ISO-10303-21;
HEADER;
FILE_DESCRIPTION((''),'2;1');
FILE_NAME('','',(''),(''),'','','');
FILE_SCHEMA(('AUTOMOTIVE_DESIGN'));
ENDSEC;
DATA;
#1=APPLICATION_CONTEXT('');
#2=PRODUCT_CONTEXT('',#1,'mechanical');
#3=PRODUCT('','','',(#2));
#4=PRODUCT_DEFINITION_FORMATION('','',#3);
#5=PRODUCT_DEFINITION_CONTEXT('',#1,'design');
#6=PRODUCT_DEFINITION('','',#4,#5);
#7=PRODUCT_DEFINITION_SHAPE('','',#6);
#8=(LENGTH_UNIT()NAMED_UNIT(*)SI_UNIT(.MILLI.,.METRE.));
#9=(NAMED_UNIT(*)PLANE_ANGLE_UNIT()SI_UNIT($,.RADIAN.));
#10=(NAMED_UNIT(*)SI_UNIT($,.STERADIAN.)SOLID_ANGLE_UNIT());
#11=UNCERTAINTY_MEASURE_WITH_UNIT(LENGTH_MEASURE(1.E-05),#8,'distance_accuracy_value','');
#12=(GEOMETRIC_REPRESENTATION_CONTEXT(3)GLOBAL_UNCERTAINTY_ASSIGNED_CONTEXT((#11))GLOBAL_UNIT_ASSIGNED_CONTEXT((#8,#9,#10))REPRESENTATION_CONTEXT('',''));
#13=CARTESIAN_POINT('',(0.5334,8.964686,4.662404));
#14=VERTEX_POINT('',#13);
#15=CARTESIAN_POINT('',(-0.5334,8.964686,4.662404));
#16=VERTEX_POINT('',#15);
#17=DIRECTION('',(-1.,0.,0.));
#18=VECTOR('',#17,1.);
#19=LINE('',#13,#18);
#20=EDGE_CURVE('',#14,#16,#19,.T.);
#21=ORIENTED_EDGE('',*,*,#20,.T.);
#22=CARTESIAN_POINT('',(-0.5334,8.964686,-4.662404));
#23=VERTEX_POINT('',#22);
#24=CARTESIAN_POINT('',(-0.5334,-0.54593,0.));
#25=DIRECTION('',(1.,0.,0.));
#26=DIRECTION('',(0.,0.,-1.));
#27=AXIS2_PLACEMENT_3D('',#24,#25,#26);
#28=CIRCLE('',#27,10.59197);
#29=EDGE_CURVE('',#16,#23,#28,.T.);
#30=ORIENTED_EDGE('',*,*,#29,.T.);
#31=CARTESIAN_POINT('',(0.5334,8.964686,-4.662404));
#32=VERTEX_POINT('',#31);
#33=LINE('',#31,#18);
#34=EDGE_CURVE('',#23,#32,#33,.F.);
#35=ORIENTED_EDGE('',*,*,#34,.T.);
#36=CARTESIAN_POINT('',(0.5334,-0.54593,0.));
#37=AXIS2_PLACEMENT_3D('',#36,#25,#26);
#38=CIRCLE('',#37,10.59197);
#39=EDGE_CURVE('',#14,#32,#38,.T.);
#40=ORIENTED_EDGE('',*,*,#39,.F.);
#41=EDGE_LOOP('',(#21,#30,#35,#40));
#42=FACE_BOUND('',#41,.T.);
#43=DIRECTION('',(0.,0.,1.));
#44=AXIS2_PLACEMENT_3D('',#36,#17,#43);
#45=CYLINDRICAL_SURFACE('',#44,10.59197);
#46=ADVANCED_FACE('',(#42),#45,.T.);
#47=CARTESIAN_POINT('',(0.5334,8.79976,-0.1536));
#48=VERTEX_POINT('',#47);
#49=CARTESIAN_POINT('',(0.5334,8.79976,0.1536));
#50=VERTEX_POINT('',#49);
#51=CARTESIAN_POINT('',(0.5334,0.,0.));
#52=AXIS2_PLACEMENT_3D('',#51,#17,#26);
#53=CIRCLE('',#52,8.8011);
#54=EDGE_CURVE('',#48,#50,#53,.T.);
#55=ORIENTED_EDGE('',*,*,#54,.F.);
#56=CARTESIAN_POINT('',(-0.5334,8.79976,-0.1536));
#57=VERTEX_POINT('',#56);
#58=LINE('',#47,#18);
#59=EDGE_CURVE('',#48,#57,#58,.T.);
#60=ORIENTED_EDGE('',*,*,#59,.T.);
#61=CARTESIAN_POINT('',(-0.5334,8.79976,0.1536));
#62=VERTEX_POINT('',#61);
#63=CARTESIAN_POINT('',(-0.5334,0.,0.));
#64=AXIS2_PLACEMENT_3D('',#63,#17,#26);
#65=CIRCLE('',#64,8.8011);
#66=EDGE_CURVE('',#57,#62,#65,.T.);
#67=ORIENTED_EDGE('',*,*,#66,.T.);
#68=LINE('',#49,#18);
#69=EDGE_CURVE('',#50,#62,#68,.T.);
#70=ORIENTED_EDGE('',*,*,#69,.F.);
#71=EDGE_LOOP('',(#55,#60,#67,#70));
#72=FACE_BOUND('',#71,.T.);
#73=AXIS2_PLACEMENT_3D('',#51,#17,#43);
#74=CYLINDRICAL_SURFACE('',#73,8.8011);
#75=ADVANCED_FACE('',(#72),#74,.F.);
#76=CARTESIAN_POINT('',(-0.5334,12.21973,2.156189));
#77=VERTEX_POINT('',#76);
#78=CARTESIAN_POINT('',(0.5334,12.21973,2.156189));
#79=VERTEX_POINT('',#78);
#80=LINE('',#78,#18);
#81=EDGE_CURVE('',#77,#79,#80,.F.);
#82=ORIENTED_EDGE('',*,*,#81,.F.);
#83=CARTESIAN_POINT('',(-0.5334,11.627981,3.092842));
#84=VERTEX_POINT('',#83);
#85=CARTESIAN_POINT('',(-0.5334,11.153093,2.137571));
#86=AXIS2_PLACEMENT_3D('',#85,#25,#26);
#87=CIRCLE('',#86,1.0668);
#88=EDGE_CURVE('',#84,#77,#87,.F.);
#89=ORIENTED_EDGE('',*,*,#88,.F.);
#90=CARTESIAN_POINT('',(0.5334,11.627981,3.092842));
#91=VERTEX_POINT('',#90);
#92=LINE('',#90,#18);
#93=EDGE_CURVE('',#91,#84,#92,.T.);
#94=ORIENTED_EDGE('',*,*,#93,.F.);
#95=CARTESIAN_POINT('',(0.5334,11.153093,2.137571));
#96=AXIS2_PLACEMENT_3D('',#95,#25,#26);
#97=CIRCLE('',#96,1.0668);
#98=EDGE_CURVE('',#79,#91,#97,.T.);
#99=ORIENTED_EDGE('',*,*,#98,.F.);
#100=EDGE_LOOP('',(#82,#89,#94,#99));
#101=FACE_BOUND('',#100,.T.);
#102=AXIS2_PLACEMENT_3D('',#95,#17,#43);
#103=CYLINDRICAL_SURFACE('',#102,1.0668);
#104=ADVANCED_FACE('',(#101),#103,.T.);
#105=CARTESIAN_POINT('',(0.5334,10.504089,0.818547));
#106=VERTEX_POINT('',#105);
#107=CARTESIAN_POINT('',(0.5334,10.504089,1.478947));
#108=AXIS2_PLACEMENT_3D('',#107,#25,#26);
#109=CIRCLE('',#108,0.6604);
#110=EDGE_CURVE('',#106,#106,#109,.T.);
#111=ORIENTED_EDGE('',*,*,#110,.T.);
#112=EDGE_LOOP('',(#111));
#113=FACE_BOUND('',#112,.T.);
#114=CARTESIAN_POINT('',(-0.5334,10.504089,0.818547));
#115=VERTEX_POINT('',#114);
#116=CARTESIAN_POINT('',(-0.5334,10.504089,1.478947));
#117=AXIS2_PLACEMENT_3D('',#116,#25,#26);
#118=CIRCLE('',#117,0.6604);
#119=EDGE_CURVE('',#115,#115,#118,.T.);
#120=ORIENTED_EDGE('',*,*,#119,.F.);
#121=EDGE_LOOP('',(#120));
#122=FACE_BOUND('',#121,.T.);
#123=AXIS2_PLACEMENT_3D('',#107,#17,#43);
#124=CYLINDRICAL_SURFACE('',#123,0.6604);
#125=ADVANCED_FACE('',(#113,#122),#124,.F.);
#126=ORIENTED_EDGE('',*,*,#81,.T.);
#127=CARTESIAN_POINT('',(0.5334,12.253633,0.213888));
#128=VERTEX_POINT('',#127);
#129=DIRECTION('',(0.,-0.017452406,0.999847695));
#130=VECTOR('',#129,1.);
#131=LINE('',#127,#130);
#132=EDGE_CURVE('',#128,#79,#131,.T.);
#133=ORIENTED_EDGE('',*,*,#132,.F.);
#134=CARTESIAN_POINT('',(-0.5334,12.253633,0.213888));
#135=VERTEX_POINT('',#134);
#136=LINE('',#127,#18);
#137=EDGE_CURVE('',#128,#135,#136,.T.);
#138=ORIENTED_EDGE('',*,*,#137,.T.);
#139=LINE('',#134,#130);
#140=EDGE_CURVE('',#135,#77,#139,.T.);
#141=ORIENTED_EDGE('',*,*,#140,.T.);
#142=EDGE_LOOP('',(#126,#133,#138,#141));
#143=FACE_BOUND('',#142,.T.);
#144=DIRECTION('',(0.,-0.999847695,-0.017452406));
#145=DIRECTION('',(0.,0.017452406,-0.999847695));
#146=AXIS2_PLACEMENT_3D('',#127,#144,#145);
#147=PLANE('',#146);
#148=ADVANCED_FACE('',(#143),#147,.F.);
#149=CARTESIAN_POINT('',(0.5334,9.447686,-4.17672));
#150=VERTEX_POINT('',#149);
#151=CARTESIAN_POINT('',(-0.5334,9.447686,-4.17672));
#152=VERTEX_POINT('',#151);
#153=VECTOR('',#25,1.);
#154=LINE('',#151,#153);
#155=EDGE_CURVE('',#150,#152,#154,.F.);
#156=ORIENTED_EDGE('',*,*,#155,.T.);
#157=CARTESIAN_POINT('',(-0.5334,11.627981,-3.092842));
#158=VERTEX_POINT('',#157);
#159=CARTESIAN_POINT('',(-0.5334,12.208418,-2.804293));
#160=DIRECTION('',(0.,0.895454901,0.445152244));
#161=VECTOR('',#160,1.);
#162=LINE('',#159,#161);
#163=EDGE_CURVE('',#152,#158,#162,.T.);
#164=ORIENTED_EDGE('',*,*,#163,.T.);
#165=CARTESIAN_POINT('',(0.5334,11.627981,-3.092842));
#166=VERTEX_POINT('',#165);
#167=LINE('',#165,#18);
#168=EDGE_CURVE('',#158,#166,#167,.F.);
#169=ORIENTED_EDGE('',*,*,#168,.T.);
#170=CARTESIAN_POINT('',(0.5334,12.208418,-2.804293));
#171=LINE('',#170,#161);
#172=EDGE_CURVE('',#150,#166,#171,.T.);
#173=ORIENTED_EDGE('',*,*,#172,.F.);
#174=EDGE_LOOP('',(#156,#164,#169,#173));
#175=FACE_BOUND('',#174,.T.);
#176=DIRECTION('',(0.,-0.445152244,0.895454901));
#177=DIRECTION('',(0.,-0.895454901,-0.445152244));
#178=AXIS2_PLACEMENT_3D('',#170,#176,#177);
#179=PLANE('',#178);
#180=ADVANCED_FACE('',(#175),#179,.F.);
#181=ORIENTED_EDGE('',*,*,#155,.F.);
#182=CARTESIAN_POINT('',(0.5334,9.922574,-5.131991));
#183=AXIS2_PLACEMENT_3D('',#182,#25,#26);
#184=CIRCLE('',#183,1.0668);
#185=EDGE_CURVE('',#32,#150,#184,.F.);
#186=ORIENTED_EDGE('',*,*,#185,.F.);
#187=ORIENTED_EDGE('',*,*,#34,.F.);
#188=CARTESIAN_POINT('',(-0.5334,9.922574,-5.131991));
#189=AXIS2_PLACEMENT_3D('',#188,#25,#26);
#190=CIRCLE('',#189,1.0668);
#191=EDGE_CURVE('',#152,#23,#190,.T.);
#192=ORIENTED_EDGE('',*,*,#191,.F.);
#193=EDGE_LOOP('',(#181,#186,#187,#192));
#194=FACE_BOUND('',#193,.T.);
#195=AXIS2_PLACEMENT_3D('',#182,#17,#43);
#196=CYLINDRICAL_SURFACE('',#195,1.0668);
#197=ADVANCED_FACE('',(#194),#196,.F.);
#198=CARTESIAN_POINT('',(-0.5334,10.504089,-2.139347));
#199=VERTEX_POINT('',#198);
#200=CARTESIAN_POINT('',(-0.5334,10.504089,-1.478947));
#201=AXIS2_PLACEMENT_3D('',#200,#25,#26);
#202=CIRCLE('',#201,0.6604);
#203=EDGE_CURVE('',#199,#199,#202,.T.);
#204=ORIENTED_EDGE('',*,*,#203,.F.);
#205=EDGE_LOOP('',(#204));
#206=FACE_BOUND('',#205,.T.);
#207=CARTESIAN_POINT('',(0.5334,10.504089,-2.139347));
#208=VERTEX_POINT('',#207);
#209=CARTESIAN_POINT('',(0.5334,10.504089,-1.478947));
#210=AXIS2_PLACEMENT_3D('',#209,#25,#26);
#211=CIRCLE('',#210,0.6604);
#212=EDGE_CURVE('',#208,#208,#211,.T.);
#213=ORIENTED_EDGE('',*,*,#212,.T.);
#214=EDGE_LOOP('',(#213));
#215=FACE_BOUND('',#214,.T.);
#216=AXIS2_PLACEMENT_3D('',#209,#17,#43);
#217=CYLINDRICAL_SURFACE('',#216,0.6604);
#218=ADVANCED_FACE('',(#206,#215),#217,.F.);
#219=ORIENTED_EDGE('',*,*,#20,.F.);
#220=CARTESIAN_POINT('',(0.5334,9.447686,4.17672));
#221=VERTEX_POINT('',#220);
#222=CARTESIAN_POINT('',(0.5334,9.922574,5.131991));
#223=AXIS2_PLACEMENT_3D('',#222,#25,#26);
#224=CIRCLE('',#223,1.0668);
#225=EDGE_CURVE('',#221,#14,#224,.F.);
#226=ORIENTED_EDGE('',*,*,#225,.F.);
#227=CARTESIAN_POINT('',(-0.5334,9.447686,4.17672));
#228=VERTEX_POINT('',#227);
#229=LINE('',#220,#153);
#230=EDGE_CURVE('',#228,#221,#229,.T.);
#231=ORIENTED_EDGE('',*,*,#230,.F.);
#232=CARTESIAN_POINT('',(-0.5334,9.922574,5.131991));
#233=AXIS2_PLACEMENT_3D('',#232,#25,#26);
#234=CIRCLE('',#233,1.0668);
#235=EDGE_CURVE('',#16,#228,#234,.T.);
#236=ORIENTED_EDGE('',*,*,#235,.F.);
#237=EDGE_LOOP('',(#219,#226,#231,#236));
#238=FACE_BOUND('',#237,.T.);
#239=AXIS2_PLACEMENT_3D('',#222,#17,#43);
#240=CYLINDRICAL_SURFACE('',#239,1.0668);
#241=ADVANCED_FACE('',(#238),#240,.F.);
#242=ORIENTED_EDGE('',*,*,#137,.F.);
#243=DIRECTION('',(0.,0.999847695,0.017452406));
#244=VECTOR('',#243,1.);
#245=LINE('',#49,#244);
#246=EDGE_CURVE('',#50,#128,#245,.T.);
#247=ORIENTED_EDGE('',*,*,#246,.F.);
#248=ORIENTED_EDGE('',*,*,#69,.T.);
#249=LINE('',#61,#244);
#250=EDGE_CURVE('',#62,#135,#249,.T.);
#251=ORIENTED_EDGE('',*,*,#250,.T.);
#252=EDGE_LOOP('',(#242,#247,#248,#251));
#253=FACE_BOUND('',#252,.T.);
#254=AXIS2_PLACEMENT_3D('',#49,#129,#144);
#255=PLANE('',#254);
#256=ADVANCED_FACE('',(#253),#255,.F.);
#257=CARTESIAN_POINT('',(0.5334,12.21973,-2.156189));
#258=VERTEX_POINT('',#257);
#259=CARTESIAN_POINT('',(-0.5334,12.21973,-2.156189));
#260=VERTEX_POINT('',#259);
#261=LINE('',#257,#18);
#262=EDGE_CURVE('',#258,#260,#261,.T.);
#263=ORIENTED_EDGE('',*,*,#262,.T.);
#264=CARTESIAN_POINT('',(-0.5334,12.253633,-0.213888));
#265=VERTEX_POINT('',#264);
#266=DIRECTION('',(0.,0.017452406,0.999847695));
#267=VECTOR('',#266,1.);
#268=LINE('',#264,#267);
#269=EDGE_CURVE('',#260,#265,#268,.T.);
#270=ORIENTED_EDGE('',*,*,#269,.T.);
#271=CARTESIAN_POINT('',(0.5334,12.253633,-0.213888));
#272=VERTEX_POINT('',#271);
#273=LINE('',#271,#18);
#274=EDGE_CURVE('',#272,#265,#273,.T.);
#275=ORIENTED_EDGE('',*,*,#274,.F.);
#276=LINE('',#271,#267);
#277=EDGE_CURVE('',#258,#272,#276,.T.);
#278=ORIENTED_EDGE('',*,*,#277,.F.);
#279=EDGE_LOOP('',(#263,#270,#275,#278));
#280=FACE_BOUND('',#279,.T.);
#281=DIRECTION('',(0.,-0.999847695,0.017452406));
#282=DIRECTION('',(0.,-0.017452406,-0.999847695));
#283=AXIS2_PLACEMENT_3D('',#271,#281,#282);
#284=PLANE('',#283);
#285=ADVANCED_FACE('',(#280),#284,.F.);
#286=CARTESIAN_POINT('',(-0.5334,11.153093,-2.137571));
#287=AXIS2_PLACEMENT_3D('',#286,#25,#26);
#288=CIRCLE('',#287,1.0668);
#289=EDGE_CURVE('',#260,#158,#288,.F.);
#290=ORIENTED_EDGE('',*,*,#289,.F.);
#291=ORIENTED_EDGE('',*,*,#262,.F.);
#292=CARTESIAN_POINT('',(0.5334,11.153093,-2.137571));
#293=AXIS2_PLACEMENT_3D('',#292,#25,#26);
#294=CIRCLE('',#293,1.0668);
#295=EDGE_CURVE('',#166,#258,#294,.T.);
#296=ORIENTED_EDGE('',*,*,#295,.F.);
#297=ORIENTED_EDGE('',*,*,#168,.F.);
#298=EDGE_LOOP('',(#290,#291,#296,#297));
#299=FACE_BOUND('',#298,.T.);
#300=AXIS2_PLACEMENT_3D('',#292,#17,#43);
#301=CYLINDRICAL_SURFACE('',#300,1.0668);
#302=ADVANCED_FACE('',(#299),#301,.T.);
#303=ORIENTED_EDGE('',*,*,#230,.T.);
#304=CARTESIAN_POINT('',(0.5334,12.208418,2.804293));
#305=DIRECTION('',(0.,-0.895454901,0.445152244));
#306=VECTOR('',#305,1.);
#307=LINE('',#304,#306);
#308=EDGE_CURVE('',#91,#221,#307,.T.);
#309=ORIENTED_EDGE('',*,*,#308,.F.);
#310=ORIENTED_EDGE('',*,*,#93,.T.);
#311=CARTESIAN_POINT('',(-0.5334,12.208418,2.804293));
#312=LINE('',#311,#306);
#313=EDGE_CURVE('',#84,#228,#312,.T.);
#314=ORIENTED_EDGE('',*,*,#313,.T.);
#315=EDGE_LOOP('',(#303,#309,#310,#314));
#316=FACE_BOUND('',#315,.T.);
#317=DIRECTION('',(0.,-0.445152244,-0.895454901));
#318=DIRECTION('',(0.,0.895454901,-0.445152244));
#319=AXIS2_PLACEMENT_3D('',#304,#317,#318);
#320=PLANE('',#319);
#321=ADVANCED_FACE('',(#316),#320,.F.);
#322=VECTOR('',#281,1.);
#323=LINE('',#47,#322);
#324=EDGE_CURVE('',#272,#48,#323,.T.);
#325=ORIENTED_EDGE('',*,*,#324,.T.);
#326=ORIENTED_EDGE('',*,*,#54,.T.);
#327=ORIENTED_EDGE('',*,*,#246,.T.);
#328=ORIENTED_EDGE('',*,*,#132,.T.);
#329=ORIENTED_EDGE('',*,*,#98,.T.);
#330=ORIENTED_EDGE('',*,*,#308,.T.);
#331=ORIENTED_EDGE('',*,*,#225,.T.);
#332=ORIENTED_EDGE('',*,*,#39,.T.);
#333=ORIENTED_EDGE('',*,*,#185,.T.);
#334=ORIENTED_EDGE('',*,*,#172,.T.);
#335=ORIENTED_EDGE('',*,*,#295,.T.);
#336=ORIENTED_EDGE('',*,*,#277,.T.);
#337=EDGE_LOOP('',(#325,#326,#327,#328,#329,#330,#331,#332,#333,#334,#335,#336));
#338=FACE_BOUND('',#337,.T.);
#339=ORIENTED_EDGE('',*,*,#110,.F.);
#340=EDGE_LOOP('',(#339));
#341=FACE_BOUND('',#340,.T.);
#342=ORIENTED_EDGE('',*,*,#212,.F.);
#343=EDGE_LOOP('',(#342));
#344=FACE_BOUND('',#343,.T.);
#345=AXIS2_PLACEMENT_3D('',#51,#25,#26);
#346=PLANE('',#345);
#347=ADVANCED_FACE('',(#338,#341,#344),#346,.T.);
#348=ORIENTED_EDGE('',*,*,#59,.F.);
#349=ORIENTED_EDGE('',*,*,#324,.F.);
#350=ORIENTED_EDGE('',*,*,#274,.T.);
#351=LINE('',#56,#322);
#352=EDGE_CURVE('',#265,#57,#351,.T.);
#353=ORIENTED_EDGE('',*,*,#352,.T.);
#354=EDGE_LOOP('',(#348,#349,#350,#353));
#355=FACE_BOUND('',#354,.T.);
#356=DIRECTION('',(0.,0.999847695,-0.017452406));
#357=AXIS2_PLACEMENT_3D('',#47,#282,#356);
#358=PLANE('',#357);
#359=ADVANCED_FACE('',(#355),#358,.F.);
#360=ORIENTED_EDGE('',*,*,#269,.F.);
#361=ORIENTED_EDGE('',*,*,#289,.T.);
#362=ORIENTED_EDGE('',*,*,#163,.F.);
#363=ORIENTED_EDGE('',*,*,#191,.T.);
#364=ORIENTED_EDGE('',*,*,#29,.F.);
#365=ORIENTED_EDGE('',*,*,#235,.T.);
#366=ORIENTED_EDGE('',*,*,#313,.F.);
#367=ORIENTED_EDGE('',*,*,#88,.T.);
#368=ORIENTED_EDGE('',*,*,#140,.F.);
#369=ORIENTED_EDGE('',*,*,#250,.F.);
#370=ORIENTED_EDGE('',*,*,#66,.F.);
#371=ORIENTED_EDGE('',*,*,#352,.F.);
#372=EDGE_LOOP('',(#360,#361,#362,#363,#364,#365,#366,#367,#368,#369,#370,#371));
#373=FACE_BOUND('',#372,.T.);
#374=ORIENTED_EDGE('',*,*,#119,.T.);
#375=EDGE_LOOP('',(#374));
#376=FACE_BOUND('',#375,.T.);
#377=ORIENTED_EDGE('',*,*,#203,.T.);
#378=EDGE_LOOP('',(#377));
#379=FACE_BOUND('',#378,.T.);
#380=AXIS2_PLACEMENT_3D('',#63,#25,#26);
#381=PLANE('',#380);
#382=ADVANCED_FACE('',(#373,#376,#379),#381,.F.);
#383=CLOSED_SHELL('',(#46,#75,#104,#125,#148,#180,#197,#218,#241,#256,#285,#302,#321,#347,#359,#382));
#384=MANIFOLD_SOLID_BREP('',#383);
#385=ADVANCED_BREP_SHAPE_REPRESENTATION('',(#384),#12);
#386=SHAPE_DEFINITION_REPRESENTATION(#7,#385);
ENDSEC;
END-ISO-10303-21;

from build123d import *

# Parameters (mm, degrees)
SKETCH1_R      = 0.6604
EXTRUDE1_DEPTH = 0.5334
FILLET1_R      = 1.0668


with BuildPart() as part:
    # Sketch1 → Extrude1 (new, symmetric)
    with BuildSketch(Plane(origin=(0, 0, 0), x_dir=(0, 0, -1), z_dir=(1, 0, 0))):
        with BuildLine():
            Line((-0.153600374, 8.79975955), (-0.213887967, 12.253633428))
            Line((-0.213887967, 12.253633428), (-2.804293376, 12.208417733))
            Line((-2.804293376, 12.208417733), (-4.342027289, 9.115158324))
            ThreePointArc((-4.342027289, 9.115158324), (0, -11.1379), (4.342027289, 9.115158324))
            Line((4.342027289, 9.115158324), (2.804293376, 12.208417733))
            Line((2.804293376, 12.208417733), (0.213887967, 12.253633428))
            Line((0.213887967, 12.253633428), (0.153600374, 8.79975955))
            ThreePointArc((0.153600374, 8.79975955), (0, -8.8011), (-0.153600374, 8.79975955))
        make_face()
        with Locations((-1.478946875, 10.504088642)):
            Circle(SKETCH1_R, mode=Mode.SUBTRACT)
        with Locations((1.478946875, 10.504088642)):
            Circle(SKETCH1_R, mode=Mode.SUBTRACT)
    extrude(amount=EXTRUDE1_DEPTH, both=True)

    # Fillet1
    fillet1_edges = [part.edges().sort_by_distance(p)[0] for p in [
        (0, 12.208417733, -2.804293376),
        (0, 9.115158324, -4.342027289),
        (0, 9.115158324, 4.342027289),
        (0, 12.208417733, 2.804293376),
    ]]
    fillet(fillet1_edges, radius=FILLET1_R)


solid = part.part
